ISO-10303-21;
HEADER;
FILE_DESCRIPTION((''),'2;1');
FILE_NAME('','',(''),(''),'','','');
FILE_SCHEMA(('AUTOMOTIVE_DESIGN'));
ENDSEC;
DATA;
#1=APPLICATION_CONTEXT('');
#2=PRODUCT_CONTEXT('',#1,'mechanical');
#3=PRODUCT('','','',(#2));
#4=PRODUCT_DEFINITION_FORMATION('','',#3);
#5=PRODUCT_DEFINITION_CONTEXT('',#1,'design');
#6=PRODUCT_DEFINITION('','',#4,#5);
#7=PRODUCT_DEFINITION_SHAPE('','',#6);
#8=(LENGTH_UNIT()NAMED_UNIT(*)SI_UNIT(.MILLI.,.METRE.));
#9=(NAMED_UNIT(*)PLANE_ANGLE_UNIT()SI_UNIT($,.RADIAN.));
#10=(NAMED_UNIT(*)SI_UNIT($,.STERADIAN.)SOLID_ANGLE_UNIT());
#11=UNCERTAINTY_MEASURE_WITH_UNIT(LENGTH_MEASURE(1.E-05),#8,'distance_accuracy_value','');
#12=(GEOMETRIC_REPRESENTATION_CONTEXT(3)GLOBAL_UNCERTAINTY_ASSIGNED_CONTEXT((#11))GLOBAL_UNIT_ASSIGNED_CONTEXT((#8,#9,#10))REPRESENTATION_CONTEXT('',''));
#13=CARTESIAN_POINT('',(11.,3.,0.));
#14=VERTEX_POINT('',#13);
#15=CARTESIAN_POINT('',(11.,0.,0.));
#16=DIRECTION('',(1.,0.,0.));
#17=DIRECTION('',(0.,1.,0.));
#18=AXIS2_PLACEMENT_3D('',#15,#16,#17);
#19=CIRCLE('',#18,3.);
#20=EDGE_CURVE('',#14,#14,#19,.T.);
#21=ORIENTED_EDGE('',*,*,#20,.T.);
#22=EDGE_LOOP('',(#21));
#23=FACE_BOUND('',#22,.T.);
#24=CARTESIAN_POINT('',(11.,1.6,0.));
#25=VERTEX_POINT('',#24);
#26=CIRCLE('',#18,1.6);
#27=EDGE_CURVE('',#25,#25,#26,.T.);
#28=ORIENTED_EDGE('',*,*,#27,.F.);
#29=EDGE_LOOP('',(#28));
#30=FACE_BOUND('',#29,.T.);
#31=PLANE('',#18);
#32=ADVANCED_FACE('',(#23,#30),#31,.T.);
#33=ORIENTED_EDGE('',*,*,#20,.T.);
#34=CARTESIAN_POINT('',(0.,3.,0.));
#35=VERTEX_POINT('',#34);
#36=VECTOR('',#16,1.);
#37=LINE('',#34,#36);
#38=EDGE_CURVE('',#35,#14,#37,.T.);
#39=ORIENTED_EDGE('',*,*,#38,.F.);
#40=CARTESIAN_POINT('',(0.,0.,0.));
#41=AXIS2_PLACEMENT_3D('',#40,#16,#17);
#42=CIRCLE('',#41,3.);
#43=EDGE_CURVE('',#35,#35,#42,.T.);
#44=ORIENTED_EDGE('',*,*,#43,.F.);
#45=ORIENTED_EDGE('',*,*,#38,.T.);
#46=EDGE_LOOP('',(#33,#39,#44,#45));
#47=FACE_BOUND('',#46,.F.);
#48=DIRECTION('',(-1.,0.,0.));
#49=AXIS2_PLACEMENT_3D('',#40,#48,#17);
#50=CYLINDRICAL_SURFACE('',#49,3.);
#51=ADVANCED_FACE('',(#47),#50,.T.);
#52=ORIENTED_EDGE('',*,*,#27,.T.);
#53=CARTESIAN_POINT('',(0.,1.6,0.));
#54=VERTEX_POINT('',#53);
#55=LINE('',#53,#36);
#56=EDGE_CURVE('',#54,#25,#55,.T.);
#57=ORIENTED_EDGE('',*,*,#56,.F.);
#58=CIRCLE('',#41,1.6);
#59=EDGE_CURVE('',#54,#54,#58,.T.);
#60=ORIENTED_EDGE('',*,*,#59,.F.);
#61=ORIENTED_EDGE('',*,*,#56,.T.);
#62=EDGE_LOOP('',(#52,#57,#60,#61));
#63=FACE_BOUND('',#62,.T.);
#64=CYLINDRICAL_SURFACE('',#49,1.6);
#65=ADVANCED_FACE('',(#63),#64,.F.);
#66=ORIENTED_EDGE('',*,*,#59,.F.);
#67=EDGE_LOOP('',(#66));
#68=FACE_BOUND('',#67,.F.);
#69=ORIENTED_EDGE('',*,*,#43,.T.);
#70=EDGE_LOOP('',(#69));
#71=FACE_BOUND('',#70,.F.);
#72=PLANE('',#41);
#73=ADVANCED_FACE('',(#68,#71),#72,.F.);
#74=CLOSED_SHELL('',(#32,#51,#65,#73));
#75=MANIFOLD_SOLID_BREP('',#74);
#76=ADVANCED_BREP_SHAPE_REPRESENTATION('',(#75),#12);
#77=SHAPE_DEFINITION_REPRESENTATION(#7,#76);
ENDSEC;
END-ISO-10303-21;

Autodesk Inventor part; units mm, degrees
ref_plane "YZ Plane" through (0, 0, 0) normal (1, 0, 0) x (0, 1, 0)
ref_plane "XZ Plane" through (0, 0, 0) normal (0, 1, 0) x (-1, 0, 0)
ref_plane "XY Plane" through (0, 0, 0) normal (0, 0, 1) x (1, 0, 0)
sketch "スケッチ1" plane through (0, 0, 0) normal (1, 0, 0) x (0, 1, 0)
  circle A0 centre (0, 0) radius 3
  circle A1 centre (0, 0) radius 1.6
  dimension "d0" = 6
  dimension "d1" = 3.2
extrude "押し出し1" add sketch "スケッチ1" along normal blind 11
properties material "ABS プラスチック"
